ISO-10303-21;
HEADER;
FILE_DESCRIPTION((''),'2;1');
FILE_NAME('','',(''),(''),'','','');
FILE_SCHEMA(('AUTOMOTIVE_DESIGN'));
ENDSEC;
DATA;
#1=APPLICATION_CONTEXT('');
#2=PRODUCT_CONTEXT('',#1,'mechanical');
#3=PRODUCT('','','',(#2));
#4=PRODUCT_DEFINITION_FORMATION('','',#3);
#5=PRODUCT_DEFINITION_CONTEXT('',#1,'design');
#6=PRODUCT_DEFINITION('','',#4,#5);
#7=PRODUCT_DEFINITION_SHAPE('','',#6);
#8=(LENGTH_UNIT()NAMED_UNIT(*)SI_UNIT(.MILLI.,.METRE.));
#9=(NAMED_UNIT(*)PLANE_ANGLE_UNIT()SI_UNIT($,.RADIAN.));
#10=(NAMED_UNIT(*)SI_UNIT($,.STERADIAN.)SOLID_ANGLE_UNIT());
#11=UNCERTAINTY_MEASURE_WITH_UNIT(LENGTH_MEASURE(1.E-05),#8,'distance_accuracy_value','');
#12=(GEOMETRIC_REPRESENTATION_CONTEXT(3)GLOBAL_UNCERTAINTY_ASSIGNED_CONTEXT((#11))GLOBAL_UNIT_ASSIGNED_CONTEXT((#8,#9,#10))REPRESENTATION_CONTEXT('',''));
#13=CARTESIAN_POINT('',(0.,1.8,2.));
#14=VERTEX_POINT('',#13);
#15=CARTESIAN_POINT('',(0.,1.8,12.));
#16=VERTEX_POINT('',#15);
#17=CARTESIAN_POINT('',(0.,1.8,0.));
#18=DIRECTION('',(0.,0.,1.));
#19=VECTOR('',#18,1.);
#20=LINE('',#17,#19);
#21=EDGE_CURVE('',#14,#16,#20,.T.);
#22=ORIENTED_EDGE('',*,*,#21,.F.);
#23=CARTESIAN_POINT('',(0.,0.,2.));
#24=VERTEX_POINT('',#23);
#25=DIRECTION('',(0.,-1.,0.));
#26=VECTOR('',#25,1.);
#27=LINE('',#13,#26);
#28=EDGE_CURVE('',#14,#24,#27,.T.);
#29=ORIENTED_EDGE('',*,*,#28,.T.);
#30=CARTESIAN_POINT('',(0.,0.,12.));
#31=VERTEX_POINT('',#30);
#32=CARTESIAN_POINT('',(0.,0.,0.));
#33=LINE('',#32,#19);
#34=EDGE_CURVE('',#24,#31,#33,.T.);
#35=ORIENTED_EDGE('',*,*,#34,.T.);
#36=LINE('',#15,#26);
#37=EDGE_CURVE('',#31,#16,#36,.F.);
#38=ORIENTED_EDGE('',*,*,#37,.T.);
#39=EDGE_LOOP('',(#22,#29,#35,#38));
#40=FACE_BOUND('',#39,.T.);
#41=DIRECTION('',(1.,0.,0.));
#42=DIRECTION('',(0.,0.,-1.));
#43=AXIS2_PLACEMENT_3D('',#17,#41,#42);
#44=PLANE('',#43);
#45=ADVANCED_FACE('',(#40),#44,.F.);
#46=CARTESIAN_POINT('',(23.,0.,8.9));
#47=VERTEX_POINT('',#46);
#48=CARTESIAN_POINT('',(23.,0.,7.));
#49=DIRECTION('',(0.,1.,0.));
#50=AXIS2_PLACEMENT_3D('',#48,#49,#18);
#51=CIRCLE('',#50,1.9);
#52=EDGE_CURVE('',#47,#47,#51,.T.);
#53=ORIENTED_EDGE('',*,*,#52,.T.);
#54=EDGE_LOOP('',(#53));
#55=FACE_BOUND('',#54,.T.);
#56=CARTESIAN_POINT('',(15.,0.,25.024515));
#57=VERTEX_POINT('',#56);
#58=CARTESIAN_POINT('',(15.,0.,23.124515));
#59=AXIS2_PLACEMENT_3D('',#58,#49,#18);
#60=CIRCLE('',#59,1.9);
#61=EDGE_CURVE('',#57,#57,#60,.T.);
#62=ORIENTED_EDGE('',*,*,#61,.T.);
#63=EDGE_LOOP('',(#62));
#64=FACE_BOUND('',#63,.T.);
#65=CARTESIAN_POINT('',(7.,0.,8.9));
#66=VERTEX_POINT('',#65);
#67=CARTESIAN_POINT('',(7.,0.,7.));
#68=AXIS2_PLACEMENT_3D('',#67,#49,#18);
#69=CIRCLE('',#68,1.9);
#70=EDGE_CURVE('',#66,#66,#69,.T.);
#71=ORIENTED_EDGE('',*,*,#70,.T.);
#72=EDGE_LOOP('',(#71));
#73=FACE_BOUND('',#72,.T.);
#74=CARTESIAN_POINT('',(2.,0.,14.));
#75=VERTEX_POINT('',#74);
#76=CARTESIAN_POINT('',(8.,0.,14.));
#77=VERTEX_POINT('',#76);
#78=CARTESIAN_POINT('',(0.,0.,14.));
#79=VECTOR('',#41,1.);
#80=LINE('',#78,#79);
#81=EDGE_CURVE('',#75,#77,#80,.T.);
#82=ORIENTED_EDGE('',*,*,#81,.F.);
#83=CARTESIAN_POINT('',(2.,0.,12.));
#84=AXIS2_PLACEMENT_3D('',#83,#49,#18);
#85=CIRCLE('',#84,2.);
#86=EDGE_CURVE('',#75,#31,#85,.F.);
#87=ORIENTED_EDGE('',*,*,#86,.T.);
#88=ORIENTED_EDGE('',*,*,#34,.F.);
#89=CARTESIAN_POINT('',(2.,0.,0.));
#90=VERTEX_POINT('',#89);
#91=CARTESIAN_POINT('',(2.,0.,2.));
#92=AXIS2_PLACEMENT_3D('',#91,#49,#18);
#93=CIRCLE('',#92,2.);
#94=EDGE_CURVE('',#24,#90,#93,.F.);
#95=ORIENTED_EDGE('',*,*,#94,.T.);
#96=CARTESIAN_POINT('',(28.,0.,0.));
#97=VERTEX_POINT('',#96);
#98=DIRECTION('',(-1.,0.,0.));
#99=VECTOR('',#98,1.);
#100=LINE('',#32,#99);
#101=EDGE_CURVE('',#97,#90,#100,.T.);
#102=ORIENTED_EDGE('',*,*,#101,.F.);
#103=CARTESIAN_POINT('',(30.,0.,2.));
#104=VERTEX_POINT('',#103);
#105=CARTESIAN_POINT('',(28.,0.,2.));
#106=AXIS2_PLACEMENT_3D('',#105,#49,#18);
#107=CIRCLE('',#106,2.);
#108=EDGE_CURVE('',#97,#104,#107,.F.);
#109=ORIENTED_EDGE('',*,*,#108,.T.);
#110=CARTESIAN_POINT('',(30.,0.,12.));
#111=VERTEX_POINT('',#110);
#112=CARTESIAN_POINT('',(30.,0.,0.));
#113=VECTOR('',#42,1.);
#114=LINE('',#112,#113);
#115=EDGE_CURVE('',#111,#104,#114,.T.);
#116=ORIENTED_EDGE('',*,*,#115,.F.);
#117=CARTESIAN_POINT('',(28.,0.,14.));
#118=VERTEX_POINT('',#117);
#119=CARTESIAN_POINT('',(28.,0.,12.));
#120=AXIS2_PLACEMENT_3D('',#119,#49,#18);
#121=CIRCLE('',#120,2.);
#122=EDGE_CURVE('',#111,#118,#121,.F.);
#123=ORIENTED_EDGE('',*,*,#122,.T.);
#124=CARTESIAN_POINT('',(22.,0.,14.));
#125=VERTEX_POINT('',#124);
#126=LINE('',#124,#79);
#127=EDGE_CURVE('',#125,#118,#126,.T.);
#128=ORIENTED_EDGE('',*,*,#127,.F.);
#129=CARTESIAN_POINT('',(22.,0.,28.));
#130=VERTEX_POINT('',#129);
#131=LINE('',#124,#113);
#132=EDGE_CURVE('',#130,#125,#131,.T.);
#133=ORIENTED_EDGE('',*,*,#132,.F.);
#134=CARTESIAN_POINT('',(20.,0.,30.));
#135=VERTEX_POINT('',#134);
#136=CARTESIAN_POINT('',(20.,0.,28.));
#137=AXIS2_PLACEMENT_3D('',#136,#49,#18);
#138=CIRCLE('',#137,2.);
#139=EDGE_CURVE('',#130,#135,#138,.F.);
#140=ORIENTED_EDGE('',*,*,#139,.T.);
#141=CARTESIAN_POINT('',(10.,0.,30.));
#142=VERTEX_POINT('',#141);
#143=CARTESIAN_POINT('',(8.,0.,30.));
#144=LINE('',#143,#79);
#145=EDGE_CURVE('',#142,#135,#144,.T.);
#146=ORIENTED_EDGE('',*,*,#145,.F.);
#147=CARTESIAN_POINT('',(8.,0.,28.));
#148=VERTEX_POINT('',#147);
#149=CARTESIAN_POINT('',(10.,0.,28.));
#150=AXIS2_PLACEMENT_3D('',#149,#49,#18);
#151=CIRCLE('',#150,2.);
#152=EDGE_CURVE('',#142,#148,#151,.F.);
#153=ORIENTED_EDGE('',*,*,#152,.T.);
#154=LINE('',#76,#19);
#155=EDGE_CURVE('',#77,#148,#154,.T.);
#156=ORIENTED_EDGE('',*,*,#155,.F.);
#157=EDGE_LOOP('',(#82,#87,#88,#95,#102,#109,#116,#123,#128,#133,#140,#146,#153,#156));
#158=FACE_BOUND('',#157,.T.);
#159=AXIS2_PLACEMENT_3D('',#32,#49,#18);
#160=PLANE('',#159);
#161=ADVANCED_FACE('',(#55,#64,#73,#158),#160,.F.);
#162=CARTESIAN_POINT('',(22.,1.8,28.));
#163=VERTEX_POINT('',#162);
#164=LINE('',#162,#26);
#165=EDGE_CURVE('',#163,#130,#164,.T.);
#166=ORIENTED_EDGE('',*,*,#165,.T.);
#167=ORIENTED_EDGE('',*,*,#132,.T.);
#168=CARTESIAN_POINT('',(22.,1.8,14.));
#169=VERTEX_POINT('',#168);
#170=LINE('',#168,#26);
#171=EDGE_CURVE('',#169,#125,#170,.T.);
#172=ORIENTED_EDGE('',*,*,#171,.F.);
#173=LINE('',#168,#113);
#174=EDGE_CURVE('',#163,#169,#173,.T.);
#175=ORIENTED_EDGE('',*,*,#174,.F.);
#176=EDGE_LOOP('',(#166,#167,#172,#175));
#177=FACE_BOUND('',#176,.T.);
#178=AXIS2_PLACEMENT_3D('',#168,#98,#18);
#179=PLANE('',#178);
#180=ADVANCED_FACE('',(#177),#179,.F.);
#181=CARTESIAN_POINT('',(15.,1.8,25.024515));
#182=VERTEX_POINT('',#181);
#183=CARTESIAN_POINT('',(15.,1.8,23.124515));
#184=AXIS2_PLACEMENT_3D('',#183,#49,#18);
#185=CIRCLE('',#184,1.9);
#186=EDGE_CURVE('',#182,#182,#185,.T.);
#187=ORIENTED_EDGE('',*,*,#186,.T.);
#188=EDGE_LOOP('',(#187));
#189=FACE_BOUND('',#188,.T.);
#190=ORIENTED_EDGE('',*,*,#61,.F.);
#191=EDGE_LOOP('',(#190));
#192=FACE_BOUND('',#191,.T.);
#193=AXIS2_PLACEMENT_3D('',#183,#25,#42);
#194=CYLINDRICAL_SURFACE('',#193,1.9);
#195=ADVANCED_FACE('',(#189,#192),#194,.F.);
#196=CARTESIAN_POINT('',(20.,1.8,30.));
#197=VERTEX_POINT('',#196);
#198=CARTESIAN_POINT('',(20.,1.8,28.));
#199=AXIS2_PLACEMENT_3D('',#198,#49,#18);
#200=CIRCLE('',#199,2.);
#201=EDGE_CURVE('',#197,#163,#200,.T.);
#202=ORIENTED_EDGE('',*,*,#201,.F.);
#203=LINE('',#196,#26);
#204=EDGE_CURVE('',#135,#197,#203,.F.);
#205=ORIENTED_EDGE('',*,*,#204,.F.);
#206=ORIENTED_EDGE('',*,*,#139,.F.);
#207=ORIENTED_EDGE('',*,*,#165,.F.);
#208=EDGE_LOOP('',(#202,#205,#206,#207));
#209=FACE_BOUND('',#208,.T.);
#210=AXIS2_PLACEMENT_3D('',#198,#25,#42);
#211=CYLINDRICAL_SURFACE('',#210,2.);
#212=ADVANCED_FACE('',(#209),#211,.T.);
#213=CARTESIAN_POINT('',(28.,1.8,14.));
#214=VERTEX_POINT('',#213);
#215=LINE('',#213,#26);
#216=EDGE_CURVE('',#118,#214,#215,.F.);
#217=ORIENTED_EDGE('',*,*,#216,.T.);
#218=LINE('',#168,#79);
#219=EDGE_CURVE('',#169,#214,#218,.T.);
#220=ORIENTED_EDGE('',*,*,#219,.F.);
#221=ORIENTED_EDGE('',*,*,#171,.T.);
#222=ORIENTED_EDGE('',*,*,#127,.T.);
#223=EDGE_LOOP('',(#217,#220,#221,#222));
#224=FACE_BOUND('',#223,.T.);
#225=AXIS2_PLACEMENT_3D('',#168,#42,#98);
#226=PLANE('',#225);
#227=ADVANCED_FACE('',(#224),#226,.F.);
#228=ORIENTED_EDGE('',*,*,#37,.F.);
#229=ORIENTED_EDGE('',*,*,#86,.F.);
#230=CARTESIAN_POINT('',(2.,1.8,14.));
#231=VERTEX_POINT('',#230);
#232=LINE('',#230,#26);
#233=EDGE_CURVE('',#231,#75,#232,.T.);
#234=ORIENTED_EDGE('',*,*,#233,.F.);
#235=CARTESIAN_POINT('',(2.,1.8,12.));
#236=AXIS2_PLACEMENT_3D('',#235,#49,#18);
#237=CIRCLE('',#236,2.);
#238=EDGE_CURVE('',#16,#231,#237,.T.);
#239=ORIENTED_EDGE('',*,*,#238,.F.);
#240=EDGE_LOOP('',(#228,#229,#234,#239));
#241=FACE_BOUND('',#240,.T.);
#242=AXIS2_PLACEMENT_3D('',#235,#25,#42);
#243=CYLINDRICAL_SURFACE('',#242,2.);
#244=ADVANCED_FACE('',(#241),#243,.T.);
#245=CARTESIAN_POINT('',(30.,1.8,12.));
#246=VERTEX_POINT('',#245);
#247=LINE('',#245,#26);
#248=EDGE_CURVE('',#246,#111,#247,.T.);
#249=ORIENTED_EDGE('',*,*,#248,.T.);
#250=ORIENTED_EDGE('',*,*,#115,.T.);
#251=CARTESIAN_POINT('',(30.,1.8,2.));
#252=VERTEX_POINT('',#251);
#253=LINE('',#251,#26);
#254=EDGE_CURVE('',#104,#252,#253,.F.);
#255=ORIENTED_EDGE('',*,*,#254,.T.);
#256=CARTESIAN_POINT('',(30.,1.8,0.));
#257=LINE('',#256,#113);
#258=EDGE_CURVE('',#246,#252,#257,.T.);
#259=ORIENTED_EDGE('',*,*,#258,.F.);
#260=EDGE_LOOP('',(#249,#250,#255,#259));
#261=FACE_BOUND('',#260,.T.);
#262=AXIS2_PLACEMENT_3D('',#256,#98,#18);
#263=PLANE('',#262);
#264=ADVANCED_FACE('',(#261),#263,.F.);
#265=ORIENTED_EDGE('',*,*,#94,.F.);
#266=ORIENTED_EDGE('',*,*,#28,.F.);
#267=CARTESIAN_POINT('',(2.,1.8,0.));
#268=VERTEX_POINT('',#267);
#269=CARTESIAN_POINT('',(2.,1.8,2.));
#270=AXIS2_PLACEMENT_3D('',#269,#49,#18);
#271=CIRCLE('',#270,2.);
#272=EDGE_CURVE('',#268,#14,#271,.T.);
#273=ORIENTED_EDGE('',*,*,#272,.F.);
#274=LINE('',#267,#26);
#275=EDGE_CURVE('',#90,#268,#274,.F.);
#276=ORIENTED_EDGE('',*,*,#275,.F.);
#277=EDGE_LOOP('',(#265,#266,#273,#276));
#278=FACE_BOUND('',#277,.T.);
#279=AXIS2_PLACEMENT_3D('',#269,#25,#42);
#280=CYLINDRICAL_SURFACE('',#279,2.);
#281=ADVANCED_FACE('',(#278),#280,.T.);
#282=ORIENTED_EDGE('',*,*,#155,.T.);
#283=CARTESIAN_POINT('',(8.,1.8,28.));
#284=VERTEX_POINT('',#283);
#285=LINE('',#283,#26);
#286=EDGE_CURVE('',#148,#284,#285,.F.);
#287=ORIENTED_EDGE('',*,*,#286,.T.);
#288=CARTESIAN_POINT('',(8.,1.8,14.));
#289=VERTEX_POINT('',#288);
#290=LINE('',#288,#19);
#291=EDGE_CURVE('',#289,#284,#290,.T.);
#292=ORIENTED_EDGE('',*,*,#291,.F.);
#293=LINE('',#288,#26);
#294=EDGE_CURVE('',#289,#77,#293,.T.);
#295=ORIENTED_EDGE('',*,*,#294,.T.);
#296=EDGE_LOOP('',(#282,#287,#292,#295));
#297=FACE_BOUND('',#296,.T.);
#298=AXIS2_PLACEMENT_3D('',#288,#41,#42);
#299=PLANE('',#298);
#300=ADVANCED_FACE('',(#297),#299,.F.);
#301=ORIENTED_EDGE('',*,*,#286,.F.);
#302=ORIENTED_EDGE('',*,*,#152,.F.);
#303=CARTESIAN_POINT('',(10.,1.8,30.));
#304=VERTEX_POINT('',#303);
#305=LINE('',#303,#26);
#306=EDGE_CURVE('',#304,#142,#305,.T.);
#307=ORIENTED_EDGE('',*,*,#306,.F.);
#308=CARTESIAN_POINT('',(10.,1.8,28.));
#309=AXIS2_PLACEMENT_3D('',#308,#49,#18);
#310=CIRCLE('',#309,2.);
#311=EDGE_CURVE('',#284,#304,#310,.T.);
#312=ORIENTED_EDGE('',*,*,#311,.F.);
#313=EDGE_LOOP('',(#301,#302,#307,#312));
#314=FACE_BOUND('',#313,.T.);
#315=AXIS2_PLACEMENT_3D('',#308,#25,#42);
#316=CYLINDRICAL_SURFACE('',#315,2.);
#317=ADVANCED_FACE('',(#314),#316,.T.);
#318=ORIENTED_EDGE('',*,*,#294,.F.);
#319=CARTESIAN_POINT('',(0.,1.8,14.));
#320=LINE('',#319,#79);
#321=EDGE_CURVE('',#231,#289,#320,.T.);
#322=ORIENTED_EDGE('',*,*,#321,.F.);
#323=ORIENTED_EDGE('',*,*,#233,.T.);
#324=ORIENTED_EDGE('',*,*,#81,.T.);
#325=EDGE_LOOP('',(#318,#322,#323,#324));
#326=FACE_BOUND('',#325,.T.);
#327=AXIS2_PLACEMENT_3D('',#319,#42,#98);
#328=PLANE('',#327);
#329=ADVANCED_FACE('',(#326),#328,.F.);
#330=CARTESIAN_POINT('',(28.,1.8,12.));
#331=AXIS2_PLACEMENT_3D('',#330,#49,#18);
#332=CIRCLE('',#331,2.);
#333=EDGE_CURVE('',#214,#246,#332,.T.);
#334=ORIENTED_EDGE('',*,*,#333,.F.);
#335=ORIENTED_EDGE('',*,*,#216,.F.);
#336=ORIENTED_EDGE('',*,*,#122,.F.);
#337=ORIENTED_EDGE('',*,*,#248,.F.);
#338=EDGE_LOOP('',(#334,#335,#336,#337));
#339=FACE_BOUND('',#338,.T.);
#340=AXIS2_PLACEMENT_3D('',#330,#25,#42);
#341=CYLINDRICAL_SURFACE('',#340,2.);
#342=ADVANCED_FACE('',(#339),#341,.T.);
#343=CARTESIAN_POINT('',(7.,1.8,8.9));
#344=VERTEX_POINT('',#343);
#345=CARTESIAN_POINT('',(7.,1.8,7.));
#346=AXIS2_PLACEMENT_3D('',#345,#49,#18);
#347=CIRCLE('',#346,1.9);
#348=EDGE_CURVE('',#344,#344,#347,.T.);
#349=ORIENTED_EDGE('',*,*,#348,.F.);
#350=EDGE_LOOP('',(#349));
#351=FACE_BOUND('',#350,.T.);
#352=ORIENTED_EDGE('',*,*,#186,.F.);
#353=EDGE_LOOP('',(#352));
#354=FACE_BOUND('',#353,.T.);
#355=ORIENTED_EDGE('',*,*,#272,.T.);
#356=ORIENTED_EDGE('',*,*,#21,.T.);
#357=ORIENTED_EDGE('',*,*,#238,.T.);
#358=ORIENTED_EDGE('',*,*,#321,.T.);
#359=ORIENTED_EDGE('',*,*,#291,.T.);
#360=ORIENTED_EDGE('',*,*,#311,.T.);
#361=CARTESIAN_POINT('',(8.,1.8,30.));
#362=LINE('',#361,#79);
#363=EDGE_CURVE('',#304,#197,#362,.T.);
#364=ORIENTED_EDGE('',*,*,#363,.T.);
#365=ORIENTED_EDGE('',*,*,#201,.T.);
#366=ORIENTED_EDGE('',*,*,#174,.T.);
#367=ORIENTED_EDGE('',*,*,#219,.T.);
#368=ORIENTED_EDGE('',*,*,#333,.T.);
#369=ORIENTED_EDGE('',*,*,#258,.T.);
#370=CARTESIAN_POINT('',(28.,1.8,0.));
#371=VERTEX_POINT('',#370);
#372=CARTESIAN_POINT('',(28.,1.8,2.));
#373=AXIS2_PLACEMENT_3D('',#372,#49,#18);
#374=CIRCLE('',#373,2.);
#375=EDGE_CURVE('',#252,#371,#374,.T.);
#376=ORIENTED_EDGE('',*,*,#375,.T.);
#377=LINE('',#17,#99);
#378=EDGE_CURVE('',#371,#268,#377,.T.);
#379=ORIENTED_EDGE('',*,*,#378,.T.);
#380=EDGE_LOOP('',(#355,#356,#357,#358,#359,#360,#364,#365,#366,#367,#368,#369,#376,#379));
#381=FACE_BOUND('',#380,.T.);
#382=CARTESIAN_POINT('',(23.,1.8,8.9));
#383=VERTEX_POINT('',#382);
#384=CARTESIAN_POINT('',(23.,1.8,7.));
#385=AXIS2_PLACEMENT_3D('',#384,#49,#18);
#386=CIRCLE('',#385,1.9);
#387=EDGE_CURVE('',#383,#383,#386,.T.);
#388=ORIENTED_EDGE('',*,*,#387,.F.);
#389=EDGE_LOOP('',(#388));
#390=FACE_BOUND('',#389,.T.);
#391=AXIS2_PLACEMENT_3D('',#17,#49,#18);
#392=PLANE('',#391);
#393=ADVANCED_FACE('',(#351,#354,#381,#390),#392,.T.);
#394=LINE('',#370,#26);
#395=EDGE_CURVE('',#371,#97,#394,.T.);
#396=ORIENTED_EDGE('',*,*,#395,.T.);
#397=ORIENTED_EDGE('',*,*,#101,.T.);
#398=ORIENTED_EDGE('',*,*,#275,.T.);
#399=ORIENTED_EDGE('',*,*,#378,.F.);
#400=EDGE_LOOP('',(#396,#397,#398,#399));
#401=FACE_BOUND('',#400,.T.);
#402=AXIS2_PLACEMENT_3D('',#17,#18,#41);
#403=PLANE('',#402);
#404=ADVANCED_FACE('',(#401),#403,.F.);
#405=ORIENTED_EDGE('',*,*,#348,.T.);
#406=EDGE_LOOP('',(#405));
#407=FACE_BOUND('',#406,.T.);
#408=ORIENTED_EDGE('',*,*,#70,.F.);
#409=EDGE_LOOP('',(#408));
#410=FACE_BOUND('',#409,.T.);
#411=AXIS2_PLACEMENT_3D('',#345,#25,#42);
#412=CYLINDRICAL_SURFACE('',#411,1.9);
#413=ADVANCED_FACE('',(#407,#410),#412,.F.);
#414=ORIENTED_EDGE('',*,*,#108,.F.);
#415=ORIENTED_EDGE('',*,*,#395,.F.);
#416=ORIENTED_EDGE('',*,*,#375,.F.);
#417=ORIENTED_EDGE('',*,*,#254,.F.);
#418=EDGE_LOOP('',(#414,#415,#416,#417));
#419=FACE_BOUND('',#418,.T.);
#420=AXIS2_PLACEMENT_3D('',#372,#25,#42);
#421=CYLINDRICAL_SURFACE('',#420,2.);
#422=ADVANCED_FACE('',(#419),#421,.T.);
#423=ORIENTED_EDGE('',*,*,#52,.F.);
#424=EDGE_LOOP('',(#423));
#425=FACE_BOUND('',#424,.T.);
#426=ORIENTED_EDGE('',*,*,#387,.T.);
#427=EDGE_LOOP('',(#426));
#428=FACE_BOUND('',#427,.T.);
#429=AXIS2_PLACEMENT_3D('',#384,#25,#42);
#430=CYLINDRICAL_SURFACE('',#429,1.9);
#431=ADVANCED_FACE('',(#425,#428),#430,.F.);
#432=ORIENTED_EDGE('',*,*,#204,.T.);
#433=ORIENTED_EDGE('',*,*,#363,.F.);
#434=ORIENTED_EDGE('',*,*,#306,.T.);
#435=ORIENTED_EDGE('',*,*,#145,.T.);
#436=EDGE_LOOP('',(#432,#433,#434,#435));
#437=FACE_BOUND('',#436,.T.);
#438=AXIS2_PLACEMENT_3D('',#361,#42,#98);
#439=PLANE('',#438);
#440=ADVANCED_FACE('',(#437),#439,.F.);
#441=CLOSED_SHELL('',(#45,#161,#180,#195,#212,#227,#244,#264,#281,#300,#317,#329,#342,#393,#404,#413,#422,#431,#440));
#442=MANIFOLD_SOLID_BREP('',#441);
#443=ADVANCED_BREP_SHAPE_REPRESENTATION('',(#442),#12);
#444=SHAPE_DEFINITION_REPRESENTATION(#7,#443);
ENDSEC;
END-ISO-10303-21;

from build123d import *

# Parameters (mm, degrees)
SKETCH_1_R      = 1.9
EXTRUDE_1_DEPTH = 1.8
FILLET_1_R      = 2


with BuildPart() as part:
    # 草图1 → 凸台-拉伸1 (new body)
    with BuildSketch(Plane(origin=(0, 0, 0), x_dir=(1, 0, 0), z_dir=(0, 1, 0))):
        Polygon((0, -14), (8, -14), (8, -30), (22, -30), (22, -14), (30, -14), (30, 0), (0, 0), align=None)
        with Locations(Location((7, -7, 0), (0, 0, 270))):
            Circle(SKETCH_1_R, mode=Mode.SUBTRACT)
        with Locations(Location((23, -7, 0), (0, 0, 270))):
            Circle(SKETCH_1_R, mode=Mode.SUBTRACT)
        with Locations(Location((15, -23.124515497, 0), (0, 0, 270))):
            Circle(SKETCH_1_R, mode=Mode.SUBTRACT)
    extrude(amount=EXTRUDE_1_DEPTH)

    # 圆角1
    fillet_1_edges = [part.edges().sort_by_distance(p)[0] for p in [
        (0, 0.9, 0),
        (30, 0.9, 0),
        (30, 0.9, 14),
        (22, 0.9, 30),
        (8, 0.9, 30),
        (0, 0.9, 14),
    ]]
    fillet(fillet_1_edges, radius=FILLET_1_R)


solid = part.part
